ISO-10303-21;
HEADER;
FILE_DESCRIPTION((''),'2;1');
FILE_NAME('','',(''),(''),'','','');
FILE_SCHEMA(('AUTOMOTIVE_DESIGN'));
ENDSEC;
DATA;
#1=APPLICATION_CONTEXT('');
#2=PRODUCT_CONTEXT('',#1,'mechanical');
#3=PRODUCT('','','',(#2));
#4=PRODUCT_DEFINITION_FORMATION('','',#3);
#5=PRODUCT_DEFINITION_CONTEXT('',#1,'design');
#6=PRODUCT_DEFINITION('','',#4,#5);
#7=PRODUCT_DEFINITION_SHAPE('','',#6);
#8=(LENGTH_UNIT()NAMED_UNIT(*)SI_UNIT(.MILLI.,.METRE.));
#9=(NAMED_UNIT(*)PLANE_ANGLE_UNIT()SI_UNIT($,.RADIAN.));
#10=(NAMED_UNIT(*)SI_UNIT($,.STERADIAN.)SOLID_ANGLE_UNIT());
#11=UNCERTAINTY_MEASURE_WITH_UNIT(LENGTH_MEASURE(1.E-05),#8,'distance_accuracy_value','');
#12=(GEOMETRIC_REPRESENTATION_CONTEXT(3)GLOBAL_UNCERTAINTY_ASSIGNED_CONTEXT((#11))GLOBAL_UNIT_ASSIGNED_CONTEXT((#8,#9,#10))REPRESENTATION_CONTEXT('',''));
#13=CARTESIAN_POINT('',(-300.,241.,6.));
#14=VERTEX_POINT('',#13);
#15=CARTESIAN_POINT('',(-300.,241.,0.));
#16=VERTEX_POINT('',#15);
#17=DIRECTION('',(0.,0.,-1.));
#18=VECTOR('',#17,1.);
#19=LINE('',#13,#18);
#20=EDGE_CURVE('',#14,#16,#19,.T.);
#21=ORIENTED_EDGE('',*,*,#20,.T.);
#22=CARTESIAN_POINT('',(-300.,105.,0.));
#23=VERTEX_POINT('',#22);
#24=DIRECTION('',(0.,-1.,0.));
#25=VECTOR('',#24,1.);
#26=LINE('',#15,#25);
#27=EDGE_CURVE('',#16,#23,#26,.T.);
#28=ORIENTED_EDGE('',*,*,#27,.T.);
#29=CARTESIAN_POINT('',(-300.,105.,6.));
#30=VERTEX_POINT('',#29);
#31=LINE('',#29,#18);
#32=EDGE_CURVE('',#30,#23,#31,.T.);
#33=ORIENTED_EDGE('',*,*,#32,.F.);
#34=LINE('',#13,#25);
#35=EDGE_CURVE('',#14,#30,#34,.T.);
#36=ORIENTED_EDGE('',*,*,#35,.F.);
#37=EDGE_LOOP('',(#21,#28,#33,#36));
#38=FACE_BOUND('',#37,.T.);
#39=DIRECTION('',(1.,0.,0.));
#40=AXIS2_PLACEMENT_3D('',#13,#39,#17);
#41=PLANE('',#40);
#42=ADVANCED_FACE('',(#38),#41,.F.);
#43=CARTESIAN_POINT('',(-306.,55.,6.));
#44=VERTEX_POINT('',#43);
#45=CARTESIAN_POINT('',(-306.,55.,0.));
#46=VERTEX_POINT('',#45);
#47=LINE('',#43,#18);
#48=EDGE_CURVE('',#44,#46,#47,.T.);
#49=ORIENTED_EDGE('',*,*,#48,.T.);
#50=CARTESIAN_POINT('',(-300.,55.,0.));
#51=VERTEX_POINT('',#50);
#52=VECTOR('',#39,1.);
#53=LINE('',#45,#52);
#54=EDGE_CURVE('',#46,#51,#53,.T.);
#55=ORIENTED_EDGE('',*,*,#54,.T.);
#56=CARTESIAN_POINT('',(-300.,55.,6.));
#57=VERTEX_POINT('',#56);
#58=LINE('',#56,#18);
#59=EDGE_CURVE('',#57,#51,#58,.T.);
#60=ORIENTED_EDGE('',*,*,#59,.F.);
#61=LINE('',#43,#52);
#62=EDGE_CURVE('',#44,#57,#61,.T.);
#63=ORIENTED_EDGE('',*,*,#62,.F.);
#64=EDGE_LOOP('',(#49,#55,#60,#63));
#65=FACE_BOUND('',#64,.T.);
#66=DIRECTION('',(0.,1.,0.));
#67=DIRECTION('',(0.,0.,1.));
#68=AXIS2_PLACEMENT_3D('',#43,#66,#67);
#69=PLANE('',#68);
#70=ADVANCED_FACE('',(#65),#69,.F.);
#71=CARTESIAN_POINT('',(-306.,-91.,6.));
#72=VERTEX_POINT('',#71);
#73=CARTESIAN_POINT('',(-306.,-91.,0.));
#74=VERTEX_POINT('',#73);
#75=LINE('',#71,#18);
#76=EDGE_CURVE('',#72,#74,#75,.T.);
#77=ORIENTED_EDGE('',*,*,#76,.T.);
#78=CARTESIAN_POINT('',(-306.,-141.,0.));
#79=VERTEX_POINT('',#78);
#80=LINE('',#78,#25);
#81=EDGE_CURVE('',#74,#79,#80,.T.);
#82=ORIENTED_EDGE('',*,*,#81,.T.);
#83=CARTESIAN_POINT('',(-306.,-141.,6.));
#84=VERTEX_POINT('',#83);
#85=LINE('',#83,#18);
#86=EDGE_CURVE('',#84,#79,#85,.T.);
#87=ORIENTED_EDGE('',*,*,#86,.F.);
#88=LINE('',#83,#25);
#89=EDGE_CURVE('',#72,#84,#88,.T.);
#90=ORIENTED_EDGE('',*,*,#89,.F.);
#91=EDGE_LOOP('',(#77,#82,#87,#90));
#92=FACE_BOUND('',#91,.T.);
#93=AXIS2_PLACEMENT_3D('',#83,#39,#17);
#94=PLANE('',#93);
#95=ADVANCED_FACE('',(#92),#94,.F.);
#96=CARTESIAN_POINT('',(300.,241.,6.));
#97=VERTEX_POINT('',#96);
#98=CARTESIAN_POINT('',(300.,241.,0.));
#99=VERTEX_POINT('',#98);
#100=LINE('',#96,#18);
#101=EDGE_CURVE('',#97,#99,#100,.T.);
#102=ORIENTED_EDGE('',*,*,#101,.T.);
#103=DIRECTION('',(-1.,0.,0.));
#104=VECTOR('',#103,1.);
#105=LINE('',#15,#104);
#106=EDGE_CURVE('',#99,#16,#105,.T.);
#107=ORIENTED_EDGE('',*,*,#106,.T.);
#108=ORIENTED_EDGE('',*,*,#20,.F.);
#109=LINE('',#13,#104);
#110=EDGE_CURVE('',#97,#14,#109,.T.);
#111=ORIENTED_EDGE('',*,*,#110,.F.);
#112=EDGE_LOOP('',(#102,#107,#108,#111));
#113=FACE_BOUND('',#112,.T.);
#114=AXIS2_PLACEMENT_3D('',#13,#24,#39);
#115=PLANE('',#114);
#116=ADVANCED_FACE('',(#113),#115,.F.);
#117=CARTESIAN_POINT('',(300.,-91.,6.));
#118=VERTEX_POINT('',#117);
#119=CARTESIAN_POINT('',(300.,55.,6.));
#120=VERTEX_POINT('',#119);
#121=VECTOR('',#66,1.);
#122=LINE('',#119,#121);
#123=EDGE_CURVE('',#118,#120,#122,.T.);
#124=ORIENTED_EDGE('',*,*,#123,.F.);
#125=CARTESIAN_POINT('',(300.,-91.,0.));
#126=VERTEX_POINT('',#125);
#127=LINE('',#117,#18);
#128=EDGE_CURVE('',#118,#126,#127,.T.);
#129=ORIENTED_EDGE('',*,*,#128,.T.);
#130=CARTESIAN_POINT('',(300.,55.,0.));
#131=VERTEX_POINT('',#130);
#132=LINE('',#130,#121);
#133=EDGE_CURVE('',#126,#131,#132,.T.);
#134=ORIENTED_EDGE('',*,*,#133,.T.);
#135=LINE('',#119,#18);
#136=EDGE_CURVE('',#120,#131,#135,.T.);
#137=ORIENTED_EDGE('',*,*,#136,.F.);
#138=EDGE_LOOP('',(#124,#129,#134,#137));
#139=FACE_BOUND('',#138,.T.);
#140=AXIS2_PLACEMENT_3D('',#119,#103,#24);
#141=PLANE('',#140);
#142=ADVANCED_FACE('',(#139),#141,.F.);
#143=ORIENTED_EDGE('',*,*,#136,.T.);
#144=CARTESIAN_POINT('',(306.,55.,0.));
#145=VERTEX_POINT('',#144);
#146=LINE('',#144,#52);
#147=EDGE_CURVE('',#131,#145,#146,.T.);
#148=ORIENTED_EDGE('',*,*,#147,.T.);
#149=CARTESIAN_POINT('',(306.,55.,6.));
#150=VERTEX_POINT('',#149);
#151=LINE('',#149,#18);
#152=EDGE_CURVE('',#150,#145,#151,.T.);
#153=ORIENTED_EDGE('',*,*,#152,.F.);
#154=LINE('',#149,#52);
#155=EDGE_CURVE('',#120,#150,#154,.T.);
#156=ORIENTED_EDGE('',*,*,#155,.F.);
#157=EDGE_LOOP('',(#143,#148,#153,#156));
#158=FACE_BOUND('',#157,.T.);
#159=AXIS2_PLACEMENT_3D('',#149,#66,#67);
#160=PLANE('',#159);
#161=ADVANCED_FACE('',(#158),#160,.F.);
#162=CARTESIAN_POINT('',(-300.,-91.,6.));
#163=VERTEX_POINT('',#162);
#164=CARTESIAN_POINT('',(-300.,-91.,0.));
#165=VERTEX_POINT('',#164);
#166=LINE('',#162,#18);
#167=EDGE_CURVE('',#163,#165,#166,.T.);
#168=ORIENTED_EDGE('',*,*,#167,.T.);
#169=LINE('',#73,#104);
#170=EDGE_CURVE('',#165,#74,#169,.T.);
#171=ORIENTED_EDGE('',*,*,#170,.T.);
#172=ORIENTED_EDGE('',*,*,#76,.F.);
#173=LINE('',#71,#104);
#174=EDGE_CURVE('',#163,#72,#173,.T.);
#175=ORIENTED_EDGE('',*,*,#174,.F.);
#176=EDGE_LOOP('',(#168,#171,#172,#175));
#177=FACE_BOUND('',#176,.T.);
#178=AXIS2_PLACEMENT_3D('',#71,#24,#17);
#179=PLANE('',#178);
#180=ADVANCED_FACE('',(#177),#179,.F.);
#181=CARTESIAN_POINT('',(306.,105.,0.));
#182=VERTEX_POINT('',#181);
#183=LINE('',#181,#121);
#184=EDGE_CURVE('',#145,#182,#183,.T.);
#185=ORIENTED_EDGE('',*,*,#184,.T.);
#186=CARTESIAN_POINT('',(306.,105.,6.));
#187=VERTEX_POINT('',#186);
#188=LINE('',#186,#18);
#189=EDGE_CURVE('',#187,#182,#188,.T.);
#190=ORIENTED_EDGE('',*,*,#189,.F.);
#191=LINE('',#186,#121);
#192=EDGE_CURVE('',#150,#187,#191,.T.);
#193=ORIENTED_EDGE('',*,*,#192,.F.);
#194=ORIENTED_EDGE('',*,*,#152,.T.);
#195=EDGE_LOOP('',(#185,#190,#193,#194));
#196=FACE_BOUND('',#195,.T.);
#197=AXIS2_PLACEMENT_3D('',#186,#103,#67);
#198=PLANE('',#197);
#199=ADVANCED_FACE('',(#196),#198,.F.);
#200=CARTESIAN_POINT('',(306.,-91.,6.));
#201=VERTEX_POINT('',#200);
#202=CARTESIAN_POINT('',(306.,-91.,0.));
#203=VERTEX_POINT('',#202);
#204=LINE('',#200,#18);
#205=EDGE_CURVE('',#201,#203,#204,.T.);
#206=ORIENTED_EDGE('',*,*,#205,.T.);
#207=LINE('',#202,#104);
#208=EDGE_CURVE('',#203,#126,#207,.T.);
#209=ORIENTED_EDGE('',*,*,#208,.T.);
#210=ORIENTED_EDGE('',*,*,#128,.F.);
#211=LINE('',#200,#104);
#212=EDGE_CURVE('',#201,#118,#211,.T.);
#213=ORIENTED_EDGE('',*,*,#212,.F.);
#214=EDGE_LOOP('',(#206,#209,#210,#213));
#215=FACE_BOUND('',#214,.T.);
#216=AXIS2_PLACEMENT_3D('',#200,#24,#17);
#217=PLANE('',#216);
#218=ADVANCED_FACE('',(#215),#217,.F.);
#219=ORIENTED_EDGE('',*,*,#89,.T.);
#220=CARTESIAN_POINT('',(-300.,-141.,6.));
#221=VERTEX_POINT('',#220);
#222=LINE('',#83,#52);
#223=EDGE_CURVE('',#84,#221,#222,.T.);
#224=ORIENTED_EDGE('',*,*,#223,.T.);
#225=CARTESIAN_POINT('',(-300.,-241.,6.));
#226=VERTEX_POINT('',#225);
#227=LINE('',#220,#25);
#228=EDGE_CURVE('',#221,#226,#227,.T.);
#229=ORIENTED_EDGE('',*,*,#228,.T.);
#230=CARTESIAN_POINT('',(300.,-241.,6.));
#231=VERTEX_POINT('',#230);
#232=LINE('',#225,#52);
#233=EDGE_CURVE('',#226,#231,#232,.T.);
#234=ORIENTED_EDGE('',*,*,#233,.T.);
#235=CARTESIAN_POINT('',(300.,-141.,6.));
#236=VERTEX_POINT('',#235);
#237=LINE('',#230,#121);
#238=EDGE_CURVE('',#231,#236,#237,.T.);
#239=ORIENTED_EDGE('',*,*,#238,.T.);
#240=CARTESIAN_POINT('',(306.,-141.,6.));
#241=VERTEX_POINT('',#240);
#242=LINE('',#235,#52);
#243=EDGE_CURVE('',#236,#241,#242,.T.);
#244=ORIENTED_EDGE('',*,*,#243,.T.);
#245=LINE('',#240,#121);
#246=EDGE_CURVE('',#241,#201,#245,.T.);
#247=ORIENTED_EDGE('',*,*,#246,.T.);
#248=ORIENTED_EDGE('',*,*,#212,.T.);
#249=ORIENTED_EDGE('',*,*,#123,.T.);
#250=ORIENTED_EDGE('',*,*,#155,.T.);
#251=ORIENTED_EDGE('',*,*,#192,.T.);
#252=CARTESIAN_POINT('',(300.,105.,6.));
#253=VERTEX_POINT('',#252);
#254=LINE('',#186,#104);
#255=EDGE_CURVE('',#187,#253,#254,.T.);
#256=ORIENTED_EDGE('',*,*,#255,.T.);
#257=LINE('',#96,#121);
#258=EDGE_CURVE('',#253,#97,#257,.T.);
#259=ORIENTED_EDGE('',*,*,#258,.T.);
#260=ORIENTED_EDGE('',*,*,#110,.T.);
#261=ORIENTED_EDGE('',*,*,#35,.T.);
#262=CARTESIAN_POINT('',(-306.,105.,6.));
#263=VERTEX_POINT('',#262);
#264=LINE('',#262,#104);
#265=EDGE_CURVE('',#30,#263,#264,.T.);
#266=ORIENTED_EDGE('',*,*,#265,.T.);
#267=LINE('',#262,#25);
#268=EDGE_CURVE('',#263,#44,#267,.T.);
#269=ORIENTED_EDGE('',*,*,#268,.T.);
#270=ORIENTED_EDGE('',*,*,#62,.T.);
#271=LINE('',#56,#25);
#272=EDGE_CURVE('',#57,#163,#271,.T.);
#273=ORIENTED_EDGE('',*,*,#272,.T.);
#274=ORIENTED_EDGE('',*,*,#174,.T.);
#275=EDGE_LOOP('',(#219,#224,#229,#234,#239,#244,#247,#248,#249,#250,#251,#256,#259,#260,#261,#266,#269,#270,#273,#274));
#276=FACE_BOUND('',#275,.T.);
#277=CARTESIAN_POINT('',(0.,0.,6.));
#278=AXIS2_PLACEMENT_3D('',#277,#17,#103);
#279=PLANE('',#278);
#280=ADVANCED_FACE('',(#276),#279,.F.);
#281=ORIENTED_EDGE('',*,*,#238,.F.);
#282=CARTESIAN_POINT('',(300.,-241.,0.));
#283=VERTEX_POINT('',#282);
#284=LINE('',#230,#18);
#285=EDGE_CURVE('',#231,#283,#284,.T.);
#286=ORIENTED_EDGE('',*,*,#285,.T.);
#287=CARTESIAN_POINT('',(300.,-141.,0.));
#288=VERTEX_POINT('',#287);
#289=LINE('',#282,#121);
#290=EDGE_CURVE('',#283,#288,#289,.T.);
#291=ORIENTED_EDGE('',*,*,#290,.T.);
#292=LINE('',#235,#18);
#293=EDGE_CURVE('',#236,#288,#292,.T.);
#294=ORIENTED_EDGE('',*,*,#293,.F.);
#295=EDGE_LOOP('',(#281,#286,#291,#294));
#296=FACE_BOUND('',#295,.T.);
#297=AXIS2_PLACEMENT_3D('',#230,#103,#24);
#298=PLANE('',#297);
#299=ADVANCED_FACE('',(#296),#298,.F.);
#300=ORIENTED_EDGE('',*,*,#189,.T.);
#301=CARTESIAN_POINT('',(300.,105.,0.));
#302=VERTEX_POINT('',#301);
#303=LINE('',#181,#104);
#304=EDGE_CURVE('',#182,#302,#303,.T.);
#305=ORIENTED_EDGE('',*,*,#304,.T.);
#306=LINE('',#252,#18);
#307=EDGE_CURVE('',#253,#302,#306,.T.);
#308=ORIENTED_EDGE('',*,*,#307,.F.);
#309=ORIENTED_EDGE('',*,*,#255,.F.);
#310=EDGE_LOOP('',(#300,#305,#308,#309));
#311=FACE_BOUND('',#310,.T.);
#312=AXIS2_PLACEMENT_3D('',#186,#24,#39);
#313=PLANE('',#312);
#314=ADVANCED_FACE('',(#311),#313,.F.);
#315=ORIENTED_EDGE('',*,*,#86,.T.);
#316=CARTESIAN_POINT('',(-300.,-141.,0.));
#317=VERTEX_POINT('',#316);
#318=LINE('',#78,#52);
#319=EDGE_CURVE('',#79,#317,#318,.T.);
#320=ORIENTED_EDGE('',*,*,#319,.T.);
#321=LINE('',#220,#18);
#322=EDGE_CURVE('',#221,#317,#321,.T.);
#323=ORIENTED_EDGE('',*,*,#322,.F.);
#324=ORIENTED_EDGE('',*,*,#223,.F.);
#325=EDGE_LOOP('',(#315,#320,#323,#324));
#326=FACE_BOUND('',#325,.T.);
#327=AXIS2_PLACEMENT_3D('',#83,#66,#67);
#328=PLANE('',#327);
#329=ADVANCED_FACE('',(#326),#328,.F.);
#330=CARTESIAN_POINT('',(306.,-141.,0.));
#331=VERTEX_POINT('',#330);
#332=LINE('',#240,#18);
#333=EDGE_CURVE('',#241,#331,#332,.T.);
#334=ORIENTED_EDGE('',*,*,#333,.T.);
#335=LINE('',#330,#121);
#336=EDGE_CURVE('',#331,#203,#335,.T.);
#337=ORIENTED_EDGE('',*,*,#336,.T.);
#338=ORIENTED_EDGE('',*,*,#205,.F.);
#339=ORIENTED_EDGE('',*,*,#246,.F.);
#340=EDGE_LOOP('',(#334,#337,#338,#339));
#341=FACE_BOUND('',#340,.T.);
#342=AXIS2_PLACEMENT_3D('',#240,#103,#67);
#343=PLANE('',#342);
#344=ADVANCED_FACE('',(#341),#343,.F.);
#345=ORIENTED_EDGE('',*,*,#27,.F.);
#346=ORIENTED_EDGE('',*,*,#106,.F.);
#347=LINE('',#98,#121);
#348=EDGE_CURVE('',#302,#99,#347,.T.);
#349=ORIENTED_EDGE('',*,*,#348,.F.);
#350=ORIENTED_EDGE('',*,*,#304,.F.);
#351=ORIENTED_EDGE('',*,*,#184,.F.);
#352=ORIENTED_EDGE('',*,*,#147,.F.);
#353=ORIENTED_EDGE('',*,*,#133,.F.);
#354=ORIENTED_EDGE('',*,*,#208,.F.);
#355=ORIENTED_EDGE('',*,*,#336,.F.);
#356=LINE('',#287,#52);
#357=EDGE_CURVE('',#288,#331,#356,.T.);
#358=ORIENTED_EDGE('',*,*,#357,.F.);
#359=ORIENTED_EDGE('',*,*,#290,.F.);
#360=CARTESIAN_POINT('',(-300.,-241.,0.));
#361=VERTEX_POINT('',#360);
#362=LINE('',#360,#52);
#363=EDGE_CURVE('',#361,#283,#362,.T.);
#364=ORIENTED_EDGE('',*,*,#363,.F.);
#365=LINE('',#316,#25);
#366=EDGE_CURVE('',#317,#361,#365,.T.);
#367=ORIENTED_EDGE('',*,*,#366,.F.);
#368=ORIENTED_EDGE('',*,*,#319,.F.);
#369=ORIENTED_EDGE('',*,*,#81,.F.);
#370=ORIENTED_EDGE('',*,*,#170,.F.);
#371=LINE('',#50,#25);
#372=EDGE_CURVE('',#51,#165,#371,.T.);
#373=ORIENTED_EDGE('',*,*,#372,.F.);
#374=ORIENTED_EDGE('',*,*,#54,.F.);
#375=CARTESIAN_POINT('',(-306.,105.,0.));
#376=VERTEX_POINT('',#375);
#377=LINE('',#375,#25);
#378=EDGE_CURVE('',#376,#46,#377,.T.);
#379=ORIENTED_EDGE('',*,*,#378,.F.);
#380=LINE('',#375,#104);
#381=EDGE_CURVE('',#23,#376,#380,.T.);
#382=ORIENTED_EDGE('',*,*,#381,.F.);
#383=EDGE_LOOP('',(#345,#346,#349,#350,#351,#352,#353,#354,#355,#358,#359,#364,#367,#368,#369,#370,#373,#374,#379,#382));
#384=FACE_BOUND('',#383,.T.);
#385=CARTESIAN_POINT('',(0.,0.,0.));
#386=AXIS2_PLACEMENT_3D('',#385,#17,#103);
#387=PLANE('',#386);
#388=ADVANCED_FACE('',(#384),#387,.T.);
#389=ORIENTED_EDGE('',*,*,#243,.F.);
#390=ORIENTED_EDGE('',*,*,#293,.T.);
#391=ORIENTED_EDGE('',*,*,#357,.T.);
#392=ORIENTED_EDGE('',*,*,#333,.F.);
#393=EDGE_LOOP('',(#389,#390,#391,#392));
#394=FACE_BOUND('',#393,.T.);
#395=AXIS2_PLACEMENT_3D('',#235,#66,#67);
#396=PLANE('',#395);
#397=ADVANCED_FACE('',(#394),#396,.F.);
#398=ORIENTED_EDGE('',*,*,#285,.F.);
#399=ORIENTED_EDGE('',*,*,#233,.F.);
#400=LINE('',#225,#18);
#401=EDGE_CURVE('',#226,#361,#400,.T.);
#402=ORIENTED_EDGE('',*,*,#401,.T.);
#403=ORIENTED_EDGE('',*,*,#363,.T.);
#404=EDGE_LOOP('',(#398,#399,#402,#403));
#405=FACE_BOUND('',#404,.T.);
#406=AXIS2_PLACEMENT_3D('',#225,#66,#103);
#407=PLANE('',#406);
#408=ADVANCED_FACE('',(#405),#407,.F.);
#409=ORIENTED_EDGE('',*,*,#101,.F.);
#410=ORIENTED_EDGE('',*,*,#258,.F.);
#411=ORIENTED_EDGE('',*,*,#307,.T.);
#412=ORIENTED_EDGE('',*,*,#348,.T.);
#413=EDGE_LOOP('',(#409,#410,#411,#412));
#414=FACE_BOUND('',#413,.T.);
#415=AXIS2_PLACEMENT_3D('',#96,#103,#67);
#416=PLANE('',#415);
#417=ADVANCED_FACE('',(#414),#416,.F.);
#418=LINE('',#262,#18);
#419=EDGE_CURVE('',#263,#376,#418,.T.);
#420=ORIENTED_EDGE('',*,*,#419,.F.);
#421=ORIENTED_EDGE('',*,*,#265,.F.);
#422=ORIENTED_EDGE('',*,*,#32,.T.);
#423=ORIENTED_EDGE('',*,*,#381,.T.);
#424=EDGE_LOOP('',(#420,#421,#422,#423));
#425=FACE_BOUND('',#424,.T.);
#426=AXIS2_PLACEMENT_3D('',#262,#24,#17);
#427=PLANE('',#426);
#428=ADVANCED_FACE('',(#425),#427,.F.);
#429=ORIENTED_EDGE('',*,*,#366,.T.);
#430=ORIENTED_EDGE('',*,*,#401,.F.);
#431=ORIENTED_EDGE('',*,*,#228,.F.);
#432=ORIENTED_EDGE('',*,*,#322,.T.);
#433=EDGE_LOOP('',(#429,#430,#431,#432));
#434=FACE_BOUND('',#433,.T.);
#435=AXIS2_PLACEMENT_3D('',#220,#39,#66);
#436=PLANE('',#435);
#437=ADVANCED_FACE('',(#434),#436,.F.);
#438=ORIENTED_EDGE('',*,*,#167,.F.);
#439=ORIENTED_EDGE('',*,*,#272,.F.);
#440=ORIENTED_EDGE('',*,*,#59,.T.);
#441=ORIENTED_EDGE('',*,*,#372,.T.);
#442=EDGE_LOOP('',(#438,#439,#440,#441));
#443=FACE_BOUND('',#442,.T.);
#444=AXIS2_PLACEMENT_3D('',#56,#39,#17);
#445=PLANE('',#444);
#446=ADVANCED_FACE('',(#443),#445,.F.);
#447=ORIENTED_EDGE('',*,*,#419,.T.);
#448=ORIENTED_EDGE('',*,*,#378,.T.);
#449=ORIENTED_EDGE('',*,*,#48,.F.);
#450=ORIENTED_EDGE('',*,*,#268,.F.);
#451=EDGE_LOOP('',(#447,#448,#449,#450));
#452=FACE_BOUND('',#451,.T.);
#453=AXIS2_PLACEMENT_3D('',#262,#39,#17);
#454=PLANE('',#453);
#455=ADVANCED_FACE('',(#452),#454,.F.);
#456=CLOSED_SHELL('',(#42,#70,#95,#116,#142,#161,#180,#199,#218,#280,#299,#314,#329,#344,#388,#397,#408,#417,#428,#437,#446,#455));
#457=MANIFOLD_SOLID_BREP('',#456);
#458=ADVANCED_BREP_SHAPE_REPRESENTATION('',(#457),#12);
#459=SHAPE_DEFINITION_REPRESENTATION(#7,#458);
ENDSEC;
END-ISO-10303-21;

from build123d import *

# Parameters (mm, degrees)
BOSS_EXTRUDE1_DEPTH = 6


with BuildPart() as part:
    # Sketch1 → Boss-Extrude1 (new body)
    with BuildSketch(Plane.XY):
        Polygon((-300, 241), (300, 241), (300, 105), (306, 105), (306, 55), (300, 55), (300, -91), (306, -91), (306, -141), (300, -141), (300, -241), (-300, -241), (-300, -141), (-306, -141), (-306, -91), (-300, -91), (-300, 55), (-306, 55), (-306, 105), (-300, 105), align=None)
    extrude(amount=BOSS_EXTRUDE1_DEPTH)


solid = part.part
